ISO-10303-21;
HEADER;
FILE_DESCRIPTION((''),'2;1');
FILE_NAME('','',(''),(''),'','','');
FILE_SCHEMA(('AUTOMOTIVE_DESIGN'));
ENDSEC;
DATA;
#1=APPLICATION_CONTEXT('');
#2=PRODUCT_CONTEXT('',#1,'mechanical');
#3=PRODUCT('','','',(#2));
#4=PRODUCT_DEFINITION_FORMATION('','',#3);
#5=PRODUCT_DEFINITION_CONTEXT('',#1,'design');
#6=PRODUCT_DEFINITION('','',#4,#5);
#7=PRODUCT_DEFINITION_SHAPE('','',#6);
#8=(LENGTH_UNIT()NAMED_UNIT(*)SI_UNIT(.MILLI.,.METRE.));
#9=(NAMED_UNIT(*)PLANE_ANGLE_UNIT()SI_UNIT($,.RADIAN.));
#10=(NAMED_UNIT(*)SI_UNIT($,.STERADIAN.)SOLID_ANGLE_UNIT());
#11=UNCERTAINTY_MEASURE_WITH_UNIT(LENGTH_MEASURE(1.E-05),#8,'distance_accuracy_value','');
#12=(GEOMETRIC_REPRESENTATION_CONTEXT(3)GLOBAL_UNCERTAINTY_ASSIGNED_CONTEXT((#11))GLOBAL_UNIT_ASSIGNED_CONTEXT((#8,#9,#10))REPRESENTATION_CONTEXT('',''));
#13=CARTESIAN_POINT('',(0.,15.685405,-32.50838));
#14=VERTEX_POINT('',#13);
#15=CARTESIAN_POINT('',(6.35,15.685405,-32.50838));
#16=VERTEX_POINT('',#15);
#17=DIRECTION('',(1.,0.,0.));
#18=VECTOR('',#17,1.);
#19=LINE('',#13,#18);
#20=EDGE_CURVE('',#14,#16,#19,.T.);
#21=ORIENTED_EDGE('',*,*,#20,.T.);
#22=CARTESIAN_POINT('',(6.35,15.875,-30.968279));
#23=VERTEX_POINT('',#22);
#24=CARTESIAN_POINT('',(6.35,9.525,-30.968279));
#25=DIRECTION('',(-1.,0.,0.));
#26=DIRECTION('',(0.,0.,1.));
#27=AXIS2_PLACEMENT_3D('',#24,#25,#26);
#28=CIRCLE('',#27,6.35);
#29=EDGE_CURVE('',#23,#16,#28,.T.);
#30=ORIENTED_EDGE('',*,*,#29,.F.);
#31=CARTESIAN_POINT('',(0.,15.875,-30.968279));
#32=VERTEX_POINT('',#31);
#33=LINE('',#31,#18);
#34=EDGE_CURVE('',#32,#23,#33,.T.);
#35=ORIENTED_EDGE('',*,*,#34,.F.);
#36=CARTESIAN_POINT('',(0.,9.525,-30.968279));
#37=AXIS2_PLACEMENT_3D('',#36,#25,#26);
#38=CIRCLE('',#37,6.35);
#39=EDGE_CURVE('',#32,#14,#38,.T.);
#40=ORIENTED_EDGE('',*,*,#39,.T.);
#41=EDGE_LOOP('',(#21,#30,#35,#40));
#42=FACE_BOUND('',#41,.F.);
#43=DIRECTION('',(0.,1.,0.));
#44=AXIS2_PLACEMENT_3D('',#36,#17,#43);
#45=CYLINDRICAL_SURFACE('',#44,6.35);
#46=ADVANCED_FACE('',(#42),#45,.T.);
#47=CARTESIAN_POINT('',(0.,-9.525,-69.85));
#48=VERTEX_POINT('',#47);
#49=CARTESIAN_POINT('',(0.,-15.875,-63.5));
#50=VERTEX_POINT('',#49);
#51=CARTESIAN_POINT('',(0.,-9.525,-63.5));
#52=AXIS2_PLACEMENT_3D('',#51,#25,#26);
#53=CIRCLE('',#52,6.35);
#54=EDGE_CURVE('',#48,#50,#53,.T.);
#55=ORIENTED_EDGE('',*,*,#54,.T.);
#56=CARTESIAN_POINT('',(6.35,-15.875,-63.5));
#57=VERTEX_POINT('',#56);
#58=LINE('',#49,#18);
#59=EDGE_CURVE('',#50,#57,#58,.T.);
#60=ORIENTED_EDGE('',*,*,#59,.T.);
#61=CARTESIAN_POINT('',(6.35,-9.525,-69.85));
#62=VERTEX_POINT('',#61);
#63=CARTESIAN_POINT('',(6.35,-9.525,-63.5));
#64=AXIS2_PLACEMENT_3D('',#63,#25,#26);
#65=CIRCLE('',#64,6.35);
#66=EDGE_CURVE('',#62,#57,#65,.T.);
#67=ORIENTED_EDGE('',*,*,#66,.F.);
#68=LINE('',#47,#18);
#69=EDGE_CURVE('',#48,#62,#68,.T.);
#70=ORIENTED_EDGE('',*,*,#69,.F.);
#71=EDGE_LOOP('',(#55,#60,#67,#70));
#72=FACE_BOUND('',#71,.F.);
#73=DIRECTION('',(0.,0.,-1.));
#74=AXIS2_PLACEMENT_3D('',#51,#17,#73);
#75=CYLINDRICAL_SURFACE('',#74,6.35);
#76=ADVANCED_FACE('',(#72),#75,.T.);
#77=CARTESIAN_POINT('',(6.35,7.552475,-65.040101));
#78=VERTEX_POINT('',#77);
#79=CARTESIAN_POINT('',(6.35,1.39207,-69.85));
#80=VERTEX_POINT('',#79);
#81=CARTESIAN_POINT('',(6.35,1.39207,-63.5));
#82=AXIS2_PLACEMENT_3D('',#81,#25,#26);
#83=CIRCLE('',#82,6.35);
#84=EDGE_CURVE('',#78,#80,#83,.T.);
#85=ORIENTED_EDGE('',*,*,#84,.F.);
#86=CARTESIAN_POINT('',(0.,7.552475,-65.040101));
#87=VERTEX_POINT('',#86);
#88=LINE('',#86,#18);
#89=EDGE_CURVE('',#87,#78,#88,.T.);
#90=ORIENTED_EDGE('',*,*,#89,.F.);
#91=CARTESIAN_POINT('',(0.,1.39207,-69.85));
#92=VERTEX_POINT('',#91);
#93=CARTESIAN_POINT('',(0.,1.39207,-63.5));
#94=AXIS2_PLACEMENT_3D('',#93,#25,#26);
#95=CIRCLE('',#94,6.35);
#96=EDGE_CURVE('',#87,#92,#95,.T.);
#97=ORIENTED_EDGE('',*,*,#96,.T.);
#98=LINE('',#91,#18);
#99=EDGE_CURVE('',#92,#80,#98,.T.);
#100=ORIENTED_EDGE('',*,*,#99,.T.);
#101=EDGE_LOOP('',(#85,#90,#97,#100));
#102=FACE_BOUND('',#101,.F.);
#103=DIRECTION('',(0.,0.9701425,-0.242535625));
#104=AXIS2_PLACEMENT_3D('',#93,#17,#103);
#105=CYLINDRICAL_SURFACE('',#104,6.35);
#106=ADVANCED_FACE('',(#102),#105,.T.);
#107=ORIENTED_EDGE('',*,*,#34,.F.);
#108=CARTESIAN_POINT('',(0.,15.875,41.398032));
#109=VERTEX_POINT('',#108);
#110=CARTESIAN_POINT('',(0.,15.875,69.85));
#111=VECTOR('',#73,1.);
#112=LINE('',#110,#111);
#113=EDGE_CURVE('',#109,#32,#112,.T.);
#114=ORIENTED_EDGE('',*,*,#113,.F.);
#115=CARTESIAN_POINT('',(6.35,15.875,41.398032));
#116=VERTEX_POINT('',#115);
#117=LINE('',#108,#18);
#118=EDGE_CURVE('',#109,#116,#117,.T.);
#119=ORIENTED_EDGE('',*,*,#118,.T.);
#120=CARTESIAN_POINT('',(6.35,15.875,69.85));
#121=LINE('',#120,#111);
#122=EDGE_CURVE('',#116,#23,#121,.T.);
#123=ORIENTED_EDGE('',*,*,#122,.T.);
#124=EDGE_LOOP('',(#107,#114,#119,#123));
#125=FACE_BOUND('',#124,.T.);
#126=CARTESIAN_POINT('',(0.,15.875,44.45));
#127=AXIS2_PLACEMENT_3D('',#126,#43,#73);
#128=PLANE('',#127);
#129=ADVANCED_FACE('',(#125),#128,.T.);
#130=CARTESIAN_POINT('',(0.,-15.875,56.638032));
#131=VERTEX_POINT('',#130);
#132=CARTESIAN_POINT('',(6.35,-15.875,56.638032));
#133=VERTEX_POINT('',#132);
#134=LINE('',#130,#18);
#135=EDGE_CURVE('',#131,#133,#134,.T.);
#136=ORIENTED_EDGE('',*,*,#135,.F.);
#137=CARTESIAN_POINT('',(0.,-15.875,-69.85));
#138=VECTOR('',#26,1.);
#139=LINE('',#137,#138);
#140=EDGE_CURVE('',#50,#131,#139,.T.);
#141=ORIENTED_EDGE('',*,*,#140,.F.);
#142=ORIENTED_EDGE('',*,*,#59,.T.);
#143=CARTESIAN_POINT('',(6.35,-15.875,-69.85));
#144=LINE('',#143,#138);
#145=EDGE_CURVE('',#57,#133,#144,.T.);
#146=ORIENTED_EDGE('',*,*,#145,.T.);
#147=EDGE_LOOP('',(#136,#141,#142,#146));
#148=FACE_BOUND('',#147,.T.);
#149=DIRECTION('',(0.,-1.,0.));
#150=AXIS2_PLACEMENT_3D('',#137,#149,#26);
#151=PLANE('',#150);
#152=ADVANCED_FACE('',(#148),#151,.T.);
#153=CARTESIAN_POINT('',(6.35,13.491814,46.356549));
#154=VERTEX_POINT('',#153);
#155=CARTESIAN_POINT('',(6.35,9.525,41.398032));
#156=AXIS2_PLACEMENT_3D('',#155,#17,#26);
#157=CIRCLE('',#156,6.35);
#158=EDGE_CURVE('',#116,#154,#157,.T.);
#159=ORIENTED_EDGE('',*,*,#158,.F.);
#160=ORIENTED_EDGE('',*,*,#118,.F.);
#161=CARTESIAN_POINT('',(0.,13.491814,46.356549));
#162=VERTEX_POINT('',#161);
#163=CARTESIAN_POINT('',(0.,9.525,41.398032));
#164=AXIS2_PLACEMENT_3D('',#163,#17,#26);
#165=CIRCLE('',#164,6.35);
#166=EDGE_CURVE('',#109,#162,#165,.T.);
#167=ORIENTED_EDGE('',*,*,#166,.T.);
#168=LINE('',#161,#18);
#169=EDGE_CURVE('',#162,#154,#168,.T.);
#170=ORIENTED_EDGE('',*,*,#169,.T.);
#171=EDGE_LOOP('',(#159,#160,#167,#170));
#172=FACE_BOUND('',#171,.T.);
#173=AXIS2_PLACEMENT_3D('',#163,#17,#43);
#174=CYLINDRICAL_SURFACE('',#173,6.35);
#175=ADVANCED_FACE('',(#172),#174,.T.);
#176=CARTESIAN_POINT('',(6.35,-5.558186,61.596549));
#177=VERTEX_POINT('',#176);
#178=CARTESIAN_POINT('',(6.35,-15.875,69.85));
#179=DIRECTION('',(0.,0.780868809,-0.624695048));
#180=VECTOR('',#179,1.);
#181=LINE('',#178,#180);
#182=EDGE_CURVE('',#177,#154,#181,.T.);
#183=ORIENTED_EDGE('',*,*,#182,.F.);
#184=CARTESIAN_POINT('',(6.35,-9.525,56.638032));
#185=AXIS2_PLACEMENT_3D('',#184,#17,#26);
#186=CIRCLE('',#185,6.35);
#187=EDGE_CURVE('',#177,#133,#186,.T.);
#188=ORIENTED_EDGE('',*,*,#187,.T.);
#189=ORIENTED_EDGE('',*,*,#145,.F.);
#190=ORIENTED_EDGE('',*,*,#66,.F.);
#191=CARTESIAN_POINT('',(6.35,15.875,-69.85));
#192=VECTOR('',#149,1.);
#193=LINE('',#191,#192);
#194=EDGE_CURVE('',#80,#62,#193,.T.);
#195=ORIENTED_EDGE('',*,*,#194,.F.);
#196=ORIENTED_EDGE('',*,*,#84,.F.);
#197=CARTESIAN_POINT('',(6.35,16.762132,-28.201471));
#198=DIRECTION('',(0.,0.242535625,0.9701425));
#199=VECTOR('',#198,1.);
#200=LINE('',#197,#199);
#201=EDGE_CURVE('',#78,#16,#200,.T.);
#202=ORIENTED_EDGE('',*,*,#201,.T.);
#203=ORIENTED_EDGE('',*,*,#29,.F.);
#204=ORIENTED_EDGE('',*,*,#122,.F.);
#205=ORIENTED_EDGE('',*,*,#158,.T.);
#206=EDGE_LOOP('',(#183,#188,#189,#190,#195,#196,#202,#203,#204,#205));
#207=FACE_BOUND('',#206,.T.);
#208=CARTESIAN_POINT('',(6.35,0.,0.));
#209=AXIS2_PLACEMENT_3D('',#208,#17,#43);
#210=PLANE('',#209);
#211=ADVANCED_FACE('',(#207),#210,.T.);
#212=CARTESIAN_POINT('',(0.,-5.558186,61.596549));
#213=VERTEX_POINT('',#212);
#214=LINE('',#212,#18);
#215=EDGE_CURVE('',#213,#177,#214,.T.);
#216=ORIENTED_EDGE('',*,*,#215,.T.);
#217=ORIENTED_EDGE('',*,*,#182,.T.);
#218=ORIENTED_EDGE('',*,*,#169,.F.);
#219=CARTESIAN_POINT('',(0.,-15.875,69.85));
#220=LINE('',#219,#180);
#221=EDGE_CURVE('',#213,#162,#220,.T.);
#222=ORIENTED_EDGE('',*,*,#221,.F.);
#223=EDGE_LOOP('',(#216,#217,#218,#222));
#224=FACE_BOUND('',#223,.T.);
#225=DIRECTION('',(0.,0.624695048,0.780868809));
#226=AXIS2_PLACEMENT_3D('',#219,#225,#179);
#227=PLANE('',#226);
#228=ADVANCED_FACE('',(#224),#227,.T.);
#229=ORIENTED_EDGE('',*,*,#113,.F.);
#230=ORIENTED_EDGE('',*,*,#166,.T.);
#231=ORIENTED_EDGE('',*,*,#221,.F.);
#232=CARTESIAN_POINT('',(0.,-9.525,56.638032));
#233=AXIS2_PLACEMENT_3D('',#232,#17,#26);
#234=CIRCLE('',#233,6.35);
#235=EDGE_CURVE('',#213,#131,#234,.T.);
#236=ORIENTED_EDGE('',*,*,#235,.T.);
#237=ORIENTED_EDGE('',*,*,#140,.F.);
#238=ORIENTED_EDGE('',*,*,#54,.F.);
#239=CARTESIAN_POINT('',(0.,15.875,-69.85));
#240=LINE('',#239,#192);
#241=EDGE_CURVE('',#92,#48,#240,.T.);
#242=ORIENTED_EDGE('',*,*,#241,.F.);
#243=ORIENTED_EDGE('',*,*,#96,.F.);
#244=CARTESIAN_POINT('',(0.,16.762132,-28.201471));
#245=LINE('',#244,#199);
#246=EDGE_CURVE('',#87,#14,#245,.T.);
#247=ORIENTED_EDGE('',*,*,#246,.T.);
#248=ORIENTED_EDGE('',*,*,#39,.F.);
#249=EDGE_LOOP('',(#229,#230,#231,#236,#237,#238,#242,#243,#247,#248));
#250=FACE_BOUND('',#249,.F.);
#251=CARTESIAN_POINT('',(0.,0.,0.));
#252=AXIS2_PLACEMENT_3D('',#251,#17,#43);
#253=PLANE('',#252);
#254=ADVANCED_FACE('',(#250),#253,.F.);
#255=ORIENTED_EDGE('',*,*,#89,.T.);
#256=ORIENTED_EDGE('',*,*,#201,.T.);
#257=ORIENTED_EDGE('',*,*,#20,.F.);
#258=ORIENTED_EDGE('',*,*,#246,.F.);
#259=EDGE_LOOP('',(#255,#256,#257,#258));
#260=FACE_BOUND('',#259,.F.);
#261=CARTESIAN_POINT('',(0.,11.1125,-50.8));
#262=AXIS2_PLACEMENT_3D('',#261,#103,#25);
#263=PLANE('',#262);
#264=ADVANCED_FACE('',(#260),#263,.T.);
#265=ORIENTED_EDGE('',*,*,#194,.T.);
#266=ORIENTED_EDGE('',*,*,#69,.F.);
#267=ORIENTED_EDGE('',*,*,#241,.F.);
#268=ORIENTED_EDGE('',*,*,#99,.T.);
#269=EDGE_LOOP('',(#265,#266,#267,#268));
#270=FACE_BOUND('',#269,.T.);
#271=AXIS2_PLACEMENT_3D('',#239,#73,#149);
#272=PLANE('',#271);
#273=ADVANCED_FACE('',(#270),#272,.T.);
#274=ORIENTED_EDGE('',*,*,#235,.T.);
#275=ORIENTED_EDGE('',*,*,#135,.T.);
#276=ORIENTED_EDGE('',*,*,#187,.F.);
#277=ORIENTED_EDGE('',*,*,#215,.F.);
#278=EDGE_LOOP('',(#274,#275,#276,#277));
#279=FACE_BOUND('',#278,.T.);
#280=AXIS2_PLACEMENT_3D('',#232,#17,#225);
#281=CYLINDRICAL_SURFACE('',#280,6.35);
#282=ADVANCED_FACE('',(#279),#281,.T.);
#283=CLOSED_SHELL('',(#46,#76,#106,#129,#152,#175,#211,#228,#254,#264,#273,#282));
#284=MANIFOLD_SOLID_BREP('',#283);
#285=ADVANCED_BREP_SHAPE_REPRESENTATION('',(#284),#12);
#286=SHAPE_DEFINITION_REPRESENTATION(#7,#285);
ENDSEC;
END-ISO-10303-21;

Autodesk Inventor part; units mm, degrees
ref_plane "YZ Plane" through (0, 0, 0) normal (1, 0, 0) x (0, 1, 0)
ref_plane "XZ Plane" through (0, 0, 0) normal (0, 1, 0) x (-1, 0, 0)
ref_plane "XY Plane" through (0, 0, 0) normal (0, 0, 1) x (1, 0, 0)
sketch "Sketch1" plane through (0, 0, 0) normal (1, 0, 0) x (0, 1, 0)
  line L0 (-15.875, 69.85) -> (15.875, 69.85)
  line L1 (15.875, 69.85) -> (15.875, -69.85)
  line L2 (15.875, -69.85) -> (-15.875, -69.85)
  line L3 (-15.875, -69.85) -> (-15.875, 69.85)
  line L4 (-15.875, 69.85) -> (15.875, -69.85) construction
  line L5 (15.875, 69.85) -> (-15.875, -69.85) construction
  line L6 (-15.875, 69.85) -> (15.875, 44.45)
  point P0 (0, 0)
  dimension "d0" = 31.75
  dimension "d1" = 139.7
  dimension "d2" = 25.4
extrude "Extrusion1" add sketch "Sketch1" along normal blind 6.35 contours L6 L1 L2 L3
chamfer "Chamfer1" distance 9.525 distance2 38.1 1 edges at (3.175, 15.875, -69.85) measured on face at (4.2333, -5.2917, -69.85)
fillet "Fillet1" radius 6.35 4 edges at (3.175, -15.875, 69.85) (3.175, 15.875, -31.75) (3.175, 6.35, -69.85) (3.175, -15.875, -69.85)
fillet "Fillet2" radius 6.35 1 edges at (3.175, 15.875, 44.45)
properties part number "Wheel Guards" material "UHMW, White"
